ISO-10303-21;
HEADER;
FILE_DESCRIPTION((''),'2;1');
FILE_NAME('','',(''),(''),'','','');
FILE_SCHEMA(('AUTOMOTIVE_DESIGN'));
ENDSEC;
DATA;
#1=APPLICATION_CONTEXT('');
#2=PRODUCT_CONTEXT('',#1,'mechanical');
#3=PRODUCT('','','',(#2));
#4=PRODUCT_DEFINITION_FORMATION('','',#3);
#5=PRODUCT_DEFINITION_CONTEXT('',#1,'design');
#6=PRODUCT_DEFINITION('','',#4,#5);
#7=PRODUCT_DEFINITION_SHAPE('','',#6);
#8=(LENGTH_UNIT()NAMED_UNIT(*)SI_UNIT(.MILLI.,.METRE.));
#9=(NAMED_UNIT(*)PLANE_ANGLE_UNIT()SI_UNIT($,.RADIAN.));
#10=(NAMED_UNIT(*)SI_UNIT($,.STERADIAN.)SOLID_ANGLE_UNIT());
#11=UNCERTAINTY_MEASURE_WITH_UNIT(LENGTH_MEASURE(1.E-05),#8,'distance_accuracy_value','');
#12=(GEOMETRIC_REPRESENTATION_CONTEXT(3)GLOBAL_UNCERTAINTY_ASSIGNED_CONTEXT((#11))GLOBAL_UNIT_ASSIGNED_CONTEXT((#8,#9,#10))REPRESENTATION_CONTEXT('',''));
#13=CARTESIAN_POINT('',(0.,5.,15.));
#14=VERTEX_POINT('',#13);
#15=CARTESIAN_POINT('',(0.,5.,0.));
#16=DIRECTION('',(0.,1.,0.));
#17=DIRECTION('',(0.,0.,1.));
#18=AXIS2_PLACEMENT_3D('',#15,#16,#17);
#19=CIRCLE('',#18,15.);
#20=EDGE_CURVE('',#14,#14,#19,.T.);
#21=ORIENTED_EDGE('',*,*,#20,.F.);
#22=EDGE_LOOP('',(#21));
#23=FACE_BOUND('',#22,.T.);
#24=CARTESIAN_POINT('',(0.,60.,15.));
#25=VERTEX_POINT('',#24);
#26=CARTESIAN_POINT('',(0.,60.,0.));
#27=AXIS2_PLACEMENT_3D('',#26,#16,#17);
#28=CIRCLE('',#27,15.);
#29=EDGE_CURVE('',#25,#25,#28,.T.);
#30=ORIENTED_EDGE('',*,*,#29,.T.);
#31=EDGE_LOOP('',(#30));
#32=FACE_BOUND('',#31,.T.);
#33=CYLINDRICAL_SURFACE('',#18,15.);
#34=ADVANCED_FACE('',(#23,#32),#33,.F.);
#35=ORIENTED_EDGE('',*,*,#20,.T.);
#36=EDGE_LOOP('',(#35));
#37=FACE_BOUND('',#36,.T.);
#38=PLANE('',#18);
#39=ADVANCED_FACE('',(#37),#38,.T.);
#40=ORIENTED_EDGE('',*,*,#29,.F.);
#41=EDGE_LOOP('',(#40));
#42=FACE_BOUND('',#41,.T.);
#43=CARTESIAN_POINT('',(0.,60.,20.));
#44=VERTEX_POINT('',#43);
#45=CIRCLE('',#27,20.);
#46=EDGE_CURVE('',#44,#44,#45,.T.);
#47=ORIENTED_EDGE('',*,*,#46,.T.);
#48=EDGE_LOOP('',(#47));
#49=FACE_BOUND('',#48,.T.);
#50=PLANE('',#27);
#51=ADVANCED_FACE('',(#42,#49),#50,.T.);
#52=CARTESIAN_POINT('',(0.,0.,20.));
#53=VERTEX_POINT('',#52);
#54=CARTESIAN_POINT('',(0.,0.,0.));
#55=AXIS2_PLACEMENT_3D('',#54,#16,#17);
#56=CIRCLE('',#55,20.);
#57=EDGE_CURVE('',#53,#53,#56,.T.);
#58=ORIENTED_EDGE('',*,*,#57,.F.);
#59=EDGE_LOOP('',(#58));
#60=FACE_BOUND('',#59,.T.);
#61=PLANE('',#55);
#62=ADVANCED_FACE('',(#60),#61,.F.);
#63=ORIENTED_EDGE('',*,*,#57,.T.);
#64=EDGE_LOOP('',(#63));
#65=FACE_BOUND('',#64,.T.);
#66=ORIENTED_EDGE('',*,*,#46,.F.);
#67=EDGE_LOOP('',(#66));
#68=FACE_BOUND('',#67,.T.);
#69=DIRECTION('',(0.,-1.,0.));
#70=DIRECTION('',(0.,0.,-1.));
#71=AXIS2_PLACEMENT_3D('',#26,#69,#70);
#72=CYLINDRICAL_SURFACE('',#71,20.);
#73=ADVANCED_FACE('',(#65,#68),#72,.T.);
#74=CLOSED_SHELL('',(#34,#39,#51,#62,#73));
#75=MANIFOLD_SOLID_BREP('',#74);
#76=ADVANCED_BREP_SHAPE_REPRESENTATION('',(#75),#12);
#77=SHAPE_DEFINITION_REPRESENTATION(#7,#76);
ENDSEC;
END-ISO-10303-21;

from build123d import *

# Parameters (mm, degrees)
ESQUISSE1_R             = 20
BOSS_EXTRU_1_DEPTH      = 60
ESQUISSE2_R             = 15
ENL_V_MAT_EXTRU_1_DEPTH = 55


with BuildPart() as part:
    # Esquisse1 → Boss.-Extru.1 (new body)
    with BuildSketch(Plane(origin=(0, 0, 0), x_dir=(1, 0, 0), z_dir=(0, 1, 0))):
        with Locations(Location((0, 0, 0), (0, 0, 270))):
            Circle(ESQUISSE1_R)
    extrude(amount=BOSS_EXTRU_1_DEPTH)

    # Esquisse2 → Enlèv. mat.-Extru.1 (cut)
    with BuildSketch(Plane(origin=(0, 60, 0), x_dir=(1, 0, 0), z_dir=(0, 1, 0))):
        with Locations(Location((0, 0, 0), (0, 0, 270))):
            Circle(ESQUISSE2_R)
    extrude(amount=-ENL_V_MAT_EXTRU_1_DEPTH, mode=Mode.SUBTRACT)


solid = part.part
